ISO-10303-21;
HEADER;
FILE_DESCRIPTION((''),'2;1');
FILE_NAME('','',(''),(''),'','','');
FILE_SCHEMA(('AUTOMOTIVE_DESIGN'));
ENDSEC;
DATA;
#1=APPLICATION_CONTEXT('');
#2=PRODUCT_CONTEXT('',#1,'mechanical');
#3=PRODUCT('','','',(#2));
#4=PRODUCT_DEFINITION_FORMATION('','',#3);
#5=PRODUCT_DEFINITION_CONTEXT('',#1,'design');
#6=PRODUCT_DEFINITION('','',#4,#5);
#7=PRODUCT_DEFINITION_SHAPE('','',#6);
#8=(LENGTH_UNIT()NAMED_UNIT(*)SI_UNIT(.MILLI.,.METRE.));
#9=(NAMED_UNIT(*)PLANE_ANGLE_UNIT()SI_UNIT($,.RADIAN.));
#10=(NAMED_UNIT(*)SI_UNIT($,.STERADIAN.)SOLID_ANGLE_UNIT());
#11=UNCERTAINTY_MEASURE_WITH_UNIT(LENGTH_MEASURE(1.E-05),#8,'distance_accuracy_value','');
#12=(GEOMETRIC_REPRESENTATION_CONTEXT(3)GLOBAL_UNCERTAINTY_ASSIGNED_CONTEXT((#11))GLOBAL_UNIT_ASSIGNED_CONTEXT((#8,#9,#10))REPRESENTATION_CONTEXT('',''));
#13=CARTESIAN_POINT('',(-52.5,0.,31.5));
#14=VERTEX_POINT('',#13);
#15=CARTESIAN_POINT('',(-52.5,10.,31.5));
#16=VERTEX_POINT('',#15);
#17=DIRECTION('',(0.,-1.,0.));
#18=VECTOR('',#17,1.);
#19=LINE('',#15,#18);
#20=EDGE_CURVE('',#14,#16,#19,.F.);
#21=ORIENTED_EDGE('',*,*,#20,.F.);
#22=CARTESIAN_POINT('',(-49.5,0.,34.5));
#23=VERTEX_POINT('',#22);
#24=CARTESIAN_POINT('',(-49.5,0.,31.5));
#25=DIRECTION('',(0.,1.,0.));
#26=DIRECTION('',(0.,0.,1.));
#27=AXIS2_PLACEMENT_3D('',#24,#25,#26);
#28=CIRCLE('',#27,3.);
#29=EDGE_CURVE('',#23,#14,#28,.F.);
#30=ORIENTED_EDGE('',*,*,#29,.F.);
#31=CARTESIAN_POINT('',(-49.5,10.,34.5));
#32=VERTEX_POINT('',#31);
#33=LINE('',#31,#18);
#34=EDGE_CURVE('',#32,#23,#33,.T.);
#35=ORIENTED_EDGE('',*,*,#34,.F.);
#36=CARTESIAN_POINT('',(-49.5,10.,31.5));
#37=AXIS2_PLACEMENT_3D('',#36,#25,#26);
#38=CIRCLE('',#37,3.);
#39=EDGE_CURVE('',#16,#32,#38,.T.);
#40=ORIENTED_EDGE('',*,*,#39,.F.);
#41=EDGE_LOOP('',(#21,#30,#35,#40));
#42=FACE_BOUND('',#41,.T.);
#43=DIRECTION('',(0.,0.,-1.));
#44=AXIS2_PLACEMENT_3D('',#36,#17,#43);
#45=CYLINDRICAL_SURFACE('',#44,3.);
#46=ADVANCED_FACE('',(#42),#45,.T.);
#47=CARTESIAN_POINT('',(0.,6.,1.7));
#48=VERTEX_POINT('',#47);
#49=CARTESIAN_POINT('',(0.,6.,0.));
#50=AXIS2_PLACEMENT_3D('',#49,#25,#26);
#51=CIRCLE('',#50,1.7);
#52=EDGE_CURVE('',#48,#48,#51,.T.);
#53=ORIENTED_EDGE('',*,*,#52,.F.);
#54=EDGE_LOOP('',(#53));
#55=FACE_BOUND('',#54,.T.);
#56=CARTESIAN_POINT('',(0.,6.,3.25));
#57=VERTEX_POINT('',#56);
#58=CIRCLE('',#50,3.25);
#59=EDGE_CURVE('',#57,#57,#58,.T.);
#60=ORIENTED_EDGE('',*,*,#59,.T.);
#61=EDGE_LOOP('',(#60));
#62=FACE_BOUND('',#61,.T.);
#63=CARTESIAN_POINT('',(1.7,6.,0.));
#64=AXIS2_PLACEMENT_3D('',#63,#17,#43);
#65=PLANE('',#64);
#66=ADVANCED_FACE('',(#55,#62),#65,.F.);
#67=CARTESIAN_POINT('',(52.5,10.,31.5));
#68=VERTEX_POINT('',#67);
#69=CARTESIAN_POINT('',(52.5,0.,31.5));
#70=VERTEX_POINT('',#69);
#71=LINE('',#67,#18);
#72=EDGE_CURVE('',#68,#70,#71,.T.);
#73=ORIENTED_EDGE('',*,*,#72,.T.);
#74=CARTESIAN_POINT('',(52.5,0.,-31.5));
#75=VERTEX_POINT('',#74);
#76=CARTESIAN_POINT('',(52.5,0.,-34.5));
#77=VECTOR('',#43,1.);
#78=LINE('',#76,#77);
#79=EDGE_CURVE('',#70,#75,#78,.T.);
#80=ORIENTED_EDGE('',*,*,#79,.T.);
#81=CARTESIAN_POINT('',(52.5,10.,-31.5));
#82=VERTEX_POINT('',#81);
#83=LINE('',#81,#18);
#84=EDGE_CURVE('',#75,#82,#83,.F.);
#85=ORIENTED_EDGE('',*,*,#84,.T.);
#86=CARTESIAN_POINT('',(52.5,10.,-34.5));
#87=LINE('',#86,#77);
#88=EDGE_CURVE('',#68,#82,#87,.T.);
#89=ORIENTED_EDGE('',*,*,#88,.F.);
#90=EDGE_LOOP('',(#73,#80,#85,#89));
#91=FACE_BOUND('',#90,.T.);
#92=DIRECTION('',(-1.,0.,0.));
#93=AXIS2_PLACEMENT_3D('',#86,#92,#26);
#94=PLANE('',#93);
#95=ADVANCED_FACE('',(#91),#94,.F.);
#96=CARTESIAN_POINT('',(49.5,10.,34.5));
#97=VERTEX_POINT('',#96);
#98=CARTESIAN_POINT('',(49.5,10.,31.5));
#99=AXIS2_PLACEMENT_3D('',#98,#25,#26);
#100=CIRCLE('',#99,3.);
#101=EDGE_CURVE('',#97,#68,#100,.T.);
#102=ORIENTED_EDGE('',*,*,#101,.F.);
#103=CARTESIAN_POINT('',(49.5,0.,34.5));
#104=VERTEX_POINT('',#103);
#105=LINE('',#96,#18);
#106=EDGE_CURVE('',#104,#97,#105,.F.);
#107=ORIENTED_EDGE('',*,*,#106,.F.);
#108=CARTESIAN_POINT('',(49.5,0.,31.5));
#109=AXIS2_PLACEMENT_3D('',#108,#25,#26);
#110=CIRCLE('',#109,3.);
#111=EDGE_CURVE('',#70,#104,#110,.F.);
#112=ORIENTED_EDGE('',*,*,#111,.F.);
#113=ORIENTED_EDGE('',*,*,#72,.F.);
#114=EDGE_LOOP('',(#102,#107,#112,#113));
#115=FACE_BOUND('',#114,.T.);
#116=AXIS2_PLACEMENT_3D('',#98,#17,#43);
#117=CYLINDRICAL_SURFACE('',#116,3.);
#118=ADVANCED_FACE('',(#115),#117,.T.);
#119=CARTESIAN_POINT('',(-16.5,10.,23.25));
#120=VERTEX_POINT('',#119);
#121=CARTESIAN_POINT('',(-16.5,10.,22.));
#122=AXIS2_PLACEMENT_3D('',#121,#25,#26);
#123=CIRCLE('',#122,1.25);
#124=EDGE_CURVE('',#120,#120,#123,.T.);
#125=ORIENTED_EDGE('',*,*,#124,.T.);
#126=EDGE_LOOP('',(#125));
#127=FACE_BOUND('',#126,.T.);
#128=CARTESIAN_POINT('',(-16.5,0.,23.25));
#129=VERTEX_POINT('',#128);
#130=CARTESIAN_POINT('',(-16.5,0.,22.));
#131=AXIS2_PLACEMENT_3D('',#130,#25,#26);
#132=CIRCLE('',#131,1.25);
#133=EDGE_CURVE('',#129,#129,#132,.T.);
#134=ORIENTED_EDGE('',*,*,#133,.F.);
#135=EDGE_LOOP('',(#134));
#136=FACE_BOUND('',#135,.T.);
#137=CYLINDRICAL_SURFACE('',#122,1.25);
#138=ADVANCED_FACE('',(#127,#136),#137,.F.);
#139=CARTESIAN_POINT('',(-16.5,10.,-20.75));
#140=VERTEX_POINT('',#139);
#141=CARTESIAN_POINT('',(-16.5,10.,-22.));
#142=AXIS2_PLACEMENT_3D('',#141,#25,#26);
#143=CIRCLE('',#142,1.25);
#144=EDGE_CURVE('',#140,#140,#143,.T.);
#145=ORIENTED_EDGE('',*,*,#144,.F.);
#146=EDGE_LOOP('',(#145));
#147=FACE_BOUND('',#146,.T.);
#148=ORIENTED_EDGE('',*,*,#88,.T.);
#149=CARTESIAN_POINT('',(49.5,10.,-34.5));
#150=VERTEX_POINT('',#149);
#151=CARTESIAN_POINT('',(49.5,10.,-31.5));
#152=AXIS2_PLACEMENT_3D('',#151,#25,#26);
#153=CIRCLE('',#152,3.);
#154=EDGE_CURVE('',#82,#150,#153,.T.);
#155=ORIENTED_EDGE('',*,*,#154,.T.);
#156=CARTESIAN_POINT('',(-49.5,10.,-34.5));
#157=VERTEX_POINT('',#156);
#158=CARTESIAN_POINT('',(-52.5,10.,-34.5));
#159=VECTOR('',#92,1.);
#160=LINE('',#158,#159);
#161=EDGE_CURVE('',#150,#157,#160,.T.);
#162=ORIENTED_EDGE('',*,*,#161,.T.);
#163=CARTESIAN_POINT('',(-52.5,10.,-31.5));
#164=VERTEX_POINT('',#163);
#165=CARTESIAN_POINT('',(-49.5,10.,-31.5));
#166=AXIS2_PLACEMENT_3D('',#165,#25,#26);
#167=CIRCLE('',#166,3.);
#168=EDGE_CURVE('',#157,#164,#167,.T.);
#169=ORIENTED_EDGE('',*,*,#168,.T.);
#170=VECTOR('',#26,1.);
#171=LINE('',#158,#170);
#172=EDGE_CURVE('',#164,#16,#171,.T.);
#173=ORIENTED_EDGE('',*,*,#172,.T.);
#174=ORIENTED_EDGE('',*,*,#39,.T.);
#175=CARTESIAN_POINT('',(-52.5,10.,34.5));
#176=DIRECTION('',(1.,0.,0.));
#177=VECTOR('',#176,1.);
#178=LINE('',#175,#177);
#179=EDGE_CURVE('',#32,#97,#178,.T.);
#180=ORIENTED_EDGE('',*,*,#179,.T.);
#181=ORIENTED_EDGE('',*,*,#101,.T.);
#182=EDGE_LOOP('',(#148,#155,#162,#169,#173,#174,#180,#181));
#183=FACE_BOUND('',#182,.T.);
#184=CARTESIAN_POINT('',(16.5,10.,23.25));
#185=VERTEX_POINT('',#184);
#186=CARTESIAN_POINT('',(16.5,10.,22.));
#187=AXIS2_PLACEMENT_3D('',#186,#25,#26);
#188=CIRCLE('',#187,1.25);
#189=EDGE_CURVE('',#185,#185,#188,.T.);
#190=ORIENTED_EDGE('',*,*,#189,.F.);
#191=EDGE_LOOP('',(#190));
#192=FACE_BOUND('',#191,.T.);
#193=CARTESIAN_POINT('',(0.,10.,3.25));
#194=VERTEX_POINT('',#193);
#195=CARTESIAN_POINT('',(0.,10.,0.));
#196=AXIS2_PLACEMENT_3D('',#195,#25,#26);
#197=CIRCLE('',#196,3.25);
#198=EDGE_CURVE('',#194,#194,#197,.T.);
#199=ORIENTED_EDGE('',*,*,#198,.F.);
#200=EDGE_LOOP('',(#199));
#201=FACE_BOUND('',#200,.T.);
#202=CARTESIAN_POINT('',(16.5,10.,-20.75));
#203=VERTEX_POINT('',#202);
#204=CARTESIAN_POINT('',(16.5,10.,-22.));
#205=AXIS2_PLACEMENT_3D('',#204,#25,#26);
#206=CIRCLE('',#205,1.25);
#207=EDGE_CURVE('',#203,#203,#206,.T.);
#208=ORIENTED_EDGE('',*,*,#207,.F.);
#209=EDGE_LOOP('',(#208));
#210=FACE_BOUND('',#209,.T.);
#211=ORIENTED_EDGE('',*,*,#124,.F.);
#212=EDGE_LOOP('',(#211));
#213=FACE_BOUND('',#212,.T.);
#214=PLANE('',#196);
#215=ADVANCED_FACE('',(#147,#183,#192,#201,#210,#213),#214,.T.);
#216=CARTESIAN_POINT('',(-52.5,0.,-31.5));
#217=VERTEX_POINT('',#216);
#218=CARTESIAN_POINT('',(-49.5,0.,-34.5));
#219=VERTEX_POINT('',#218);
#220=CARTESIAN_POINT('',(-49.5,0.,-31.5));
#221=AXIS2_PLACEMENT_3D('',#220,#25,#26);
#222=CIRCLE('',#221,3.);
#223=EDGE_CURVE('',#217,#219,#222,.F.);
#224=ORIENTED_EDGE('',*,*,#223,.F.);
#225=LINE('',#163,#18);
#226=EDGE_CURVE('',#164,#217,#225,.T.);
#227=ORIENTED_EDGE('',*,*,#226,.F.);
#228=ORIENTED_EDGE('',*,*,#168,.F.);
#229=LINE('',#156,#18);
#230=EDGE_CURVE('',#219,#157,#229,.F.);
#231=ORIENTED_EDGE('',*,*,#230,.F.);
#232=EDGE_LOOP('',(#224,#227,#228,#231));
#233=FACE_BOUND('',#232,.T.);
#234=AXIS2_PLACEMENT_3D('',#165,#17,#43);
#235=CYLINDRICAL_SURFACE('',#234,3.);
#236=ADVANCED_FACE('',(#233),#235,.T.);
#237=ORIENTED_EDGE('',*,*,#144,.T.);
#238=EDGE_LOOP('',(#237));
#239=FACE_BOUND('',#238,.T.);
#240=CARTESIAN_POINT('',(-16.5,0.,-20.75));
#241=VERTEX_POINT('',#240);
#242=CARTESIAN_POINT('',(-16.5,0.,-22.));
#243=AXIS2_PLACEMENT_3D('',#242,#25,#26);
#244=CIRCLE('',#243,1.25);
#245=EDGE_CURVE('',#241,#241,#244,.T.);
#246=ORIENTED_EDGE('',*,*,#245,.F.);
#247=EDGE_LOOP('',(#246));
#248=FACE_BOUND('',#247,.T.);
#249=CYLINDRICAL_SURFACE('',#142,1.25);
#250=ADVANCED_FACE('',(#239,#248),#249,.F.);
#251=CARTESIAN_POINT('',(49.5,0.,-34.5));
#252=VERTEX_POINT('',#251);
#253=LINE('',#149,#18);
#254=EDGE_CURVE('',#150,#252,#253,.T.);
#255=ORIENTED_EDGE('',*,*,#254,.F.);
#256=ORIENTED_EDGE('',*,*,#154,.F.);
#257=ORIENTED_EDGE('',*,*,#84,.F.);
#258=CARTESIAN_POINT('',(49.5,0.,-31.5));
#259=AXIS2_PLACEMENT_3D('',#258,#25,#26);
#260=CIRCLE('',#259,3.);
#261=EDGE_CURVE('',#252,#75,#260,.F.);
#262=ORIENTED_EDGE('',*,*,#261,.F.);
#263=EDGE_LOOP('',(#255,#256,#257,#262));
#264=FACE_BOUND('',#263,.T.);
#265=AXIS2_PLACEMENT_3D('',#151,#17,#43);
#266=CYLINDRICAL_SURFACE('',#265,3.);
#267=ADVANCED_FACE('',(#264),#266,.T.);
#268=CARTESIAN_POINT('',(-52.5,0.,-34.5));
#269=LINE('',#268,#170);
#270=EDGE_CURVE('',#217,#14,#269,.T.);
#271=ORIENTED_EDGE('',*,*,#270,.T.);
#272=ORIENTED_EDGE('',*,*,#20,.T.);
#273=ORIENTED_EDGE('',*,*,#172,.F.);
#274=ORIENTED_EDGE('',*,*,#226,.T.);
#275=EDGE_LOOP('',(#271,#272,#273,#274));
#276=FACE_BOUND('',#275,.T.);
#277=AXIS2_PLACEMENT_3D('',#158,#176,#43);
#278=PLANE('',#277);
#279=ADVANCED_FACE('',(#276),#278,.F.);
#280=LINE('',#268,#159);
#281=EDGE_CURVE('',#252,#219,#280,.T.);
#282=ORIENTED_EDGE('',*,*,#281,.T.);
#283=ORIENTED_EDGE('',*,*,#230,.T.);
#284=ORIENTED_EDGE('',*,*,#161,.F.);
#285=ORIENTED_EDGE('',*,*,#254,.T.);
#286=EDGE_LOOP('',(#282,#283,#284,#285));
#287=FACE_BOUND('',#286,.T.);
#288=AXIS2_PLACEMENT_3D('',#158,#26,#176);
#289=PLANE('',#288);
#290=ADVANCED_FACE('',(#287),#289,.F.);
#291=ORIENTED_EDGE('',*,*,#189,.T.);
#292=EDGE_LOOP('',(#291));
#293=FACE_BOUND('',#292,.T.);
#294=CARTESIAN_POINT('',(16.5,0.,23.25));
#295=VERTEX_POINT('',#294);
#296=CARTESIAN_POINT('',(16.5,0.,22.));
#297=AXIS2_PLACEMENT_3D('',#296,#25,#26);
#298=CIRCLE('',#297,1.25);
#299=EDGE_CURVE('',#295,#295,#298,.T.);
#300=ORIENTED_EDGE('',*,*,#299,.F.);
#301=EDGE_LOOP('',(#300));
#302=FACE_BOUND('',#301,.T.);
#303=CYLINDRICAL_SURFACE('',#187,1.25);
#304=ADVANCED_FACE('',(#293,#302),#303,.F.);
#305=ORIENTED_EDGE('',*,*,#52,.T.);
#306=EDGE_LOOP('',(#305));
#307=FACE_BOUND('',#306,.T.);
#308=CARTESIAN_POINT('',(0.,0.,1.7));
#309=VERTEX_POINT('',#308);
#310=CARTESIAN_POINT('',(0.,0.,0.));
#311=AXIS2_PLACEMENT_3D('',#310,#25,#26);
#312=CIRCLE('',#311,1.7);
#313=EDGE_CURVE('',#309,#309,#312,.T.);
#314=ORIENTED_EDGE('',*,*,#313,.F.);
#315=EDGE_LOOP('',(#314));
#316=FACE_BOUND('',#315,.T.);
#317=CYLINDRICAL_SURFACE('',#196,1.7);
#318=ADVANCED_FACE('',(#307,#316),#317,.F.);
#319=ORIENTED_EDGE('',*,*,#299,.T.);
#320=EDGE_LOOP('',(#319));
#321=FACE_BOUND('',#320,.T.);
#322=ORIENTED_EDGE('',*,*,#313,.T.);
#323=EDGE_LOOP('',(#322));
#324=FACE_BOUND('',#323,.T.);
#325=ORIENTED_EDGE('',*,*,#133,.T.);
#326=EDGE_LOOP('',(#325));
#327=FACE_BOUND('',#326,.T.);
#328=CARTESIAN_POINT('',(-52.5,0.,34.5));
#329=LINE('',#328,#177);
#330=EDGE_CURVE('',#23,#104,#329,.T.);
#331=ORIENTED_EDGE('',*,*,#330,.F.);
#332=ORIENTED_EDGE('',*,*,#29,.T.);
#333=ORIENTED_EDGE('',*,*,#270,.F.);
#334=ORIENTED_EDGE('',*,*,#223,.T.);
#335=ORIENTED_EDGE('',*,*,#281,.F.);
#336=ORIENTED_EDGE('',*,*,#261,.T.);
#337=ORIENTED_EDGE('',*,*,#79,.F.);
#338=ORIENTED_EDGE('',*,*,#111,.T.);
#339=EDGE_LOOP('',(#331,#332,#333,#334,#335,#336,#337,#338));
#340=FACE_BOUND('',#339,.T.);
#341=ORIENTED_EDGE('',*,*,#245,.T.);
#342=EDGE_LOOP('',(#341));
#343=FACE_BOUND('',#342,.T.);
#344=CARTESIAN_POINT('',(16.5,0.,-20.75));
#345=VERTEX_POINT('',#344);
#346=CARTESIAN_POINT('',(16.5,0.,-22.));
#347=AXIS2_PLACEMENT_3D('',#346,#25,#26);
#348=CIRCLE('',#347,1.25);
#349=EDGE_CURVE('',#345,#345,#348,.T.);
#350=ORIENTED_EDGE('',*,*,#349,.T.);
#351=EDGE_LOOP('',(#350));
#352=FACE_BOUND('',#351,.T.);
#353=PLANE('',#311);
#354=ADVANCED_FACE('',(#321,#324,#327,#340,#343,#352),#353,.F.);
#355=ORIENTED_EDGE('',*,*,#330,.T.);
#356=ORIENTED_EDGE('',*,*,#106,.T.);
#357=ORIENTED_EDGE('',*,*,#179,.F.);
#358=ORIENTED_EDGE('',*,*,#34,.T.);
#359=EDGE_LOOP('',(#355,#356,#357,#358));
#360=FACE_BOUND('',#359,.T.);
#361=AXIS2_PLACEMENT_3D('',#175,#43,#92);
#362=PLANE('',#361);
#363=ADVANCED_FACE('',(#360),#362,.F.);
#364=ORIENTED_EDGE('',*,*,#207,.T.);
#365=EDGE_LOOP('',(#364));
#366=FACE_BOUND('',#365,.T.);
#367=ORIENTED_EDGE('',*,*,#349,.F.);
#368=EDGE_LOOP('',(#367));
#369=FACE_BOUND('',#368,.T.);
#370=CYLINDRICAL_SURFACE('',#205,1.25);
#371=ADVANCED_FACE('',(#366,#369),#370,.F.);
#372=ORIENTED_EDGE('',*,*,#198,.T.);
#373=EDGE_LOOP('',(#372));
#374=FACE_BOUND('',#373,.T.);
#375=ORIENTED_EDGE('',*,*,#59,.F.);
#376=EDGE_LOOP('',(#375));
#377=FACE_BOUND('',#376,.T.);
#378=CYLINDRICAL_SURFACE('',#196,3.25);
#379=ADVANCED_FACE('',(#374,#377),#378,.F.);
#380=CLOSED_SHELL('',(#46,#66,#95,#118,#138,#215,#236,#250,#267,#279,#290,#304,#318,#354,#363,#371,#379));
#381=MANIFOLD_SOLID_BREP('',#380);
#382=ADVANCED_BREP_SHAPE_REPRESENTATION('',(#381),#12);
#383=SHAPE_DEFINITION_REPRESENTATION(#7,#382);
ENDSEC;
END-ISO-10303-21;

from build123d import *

# Parameters (mm, degrees)
SKETCH1_W                      = 105
SKETCH1_H                      = 69
BOSS_EXTRUDE1_DEPTH            = 10
FILLET1_R                      = 3
CBORE_FOR_M3_SHCS1_D           = 3.4
CBORE_FOR_M3_SHCS1_CBORE_D     = 6.5
CBORE_FOR_M3_SHCS1_CBORE_DEPTH = 4


with BuildPart() as part:
    # Sketch1 → Boss-Extrude1 (new body)
    with BuildSketch(Plane(origin=(0, 0, 0), x_dir=(1, 0, 0), z_dir=(0, 1, 0))):
        Rectangle(SKETCH1_W, SKETCH1_H)
    extrude(amount=BOSS_EXTRUDE1_DEPTH)

    # Fillet1
    fillet1_edges = [part.edges().sort_by_distance(p)[0] for p in [
        (52.5, 5, 34.5),
        (-52.5, 5, 34.5),
        (-52.5, 5, -34.5),
        (52.5, 5, -34.5),
    ]]
    fillet(fillet1_edges, radius=FILLET1_R)

    # CBORE for M3 SHCS1 (through all)
    with Locations(Plane(origin=(0, 10, 0), x_dir=(1, 0, 0), z_dir=(0, 1, 0))):
        with Locations((0, 0)):
            CounterBoreHole(CBORE_FOR_M3_SHCS1_D / 2, CBORE_FOR_M3_SHCS1_CBORE_D / 2, CBORE_FOR_M3_SHCS1_CBORE_DEPTH)

    # Sketch5 → M3x0.5 Tapped Hole1 (revolve, cut)
    with BuildSketch(Plane(origin=(16.5, 10, 22), x_dir=(0, 0, 1), z_dir=(1, 0, 0))):
        Polygon((0, 0), (0, 10.751075774), (1.25, 10), (1.25, 0), align=None)
    m3x0_5_tapped_hole1 = revolve(axis=Axis((16.5, 16.35, 22), (0, -1, 0)), mode=Mode.SUBTRACT)

    # Mirror1: M3x0.5 Tapped Hole1 across plane
    add(m3x0_5_tapped_hole1.mirror(Plane(origin=(0, 0, 0), x_dir=(0, 0, 1), z_dir=(1, 0, 0))), mode=Mode.SUBTRACT)

    # Mirror2: M3x0.5 Tapped Hole1 across plane
    add(m3x0_5_tapped_hole1.mirror(Plane.XY), mode=Mode.SUBTRACT)

    # Mirror2 copy 1 sketch → Mirror2 copy 1 (revolve, cut)
    with BuildSketch(Plane(origin=(-16.5, 10, -22), x_dir=(0, 0, -1), z_dir=(-1, 0, 0))):
        Polygon((0, 0), (0, 10.751075774), (1.25, 10), (1.25, 0), align=None)
    revolve(axis=Axis((-16.5, 16.35, -22), (0, -1, 0)), mode=Mode.SUBTRACT)


solid = part.part
